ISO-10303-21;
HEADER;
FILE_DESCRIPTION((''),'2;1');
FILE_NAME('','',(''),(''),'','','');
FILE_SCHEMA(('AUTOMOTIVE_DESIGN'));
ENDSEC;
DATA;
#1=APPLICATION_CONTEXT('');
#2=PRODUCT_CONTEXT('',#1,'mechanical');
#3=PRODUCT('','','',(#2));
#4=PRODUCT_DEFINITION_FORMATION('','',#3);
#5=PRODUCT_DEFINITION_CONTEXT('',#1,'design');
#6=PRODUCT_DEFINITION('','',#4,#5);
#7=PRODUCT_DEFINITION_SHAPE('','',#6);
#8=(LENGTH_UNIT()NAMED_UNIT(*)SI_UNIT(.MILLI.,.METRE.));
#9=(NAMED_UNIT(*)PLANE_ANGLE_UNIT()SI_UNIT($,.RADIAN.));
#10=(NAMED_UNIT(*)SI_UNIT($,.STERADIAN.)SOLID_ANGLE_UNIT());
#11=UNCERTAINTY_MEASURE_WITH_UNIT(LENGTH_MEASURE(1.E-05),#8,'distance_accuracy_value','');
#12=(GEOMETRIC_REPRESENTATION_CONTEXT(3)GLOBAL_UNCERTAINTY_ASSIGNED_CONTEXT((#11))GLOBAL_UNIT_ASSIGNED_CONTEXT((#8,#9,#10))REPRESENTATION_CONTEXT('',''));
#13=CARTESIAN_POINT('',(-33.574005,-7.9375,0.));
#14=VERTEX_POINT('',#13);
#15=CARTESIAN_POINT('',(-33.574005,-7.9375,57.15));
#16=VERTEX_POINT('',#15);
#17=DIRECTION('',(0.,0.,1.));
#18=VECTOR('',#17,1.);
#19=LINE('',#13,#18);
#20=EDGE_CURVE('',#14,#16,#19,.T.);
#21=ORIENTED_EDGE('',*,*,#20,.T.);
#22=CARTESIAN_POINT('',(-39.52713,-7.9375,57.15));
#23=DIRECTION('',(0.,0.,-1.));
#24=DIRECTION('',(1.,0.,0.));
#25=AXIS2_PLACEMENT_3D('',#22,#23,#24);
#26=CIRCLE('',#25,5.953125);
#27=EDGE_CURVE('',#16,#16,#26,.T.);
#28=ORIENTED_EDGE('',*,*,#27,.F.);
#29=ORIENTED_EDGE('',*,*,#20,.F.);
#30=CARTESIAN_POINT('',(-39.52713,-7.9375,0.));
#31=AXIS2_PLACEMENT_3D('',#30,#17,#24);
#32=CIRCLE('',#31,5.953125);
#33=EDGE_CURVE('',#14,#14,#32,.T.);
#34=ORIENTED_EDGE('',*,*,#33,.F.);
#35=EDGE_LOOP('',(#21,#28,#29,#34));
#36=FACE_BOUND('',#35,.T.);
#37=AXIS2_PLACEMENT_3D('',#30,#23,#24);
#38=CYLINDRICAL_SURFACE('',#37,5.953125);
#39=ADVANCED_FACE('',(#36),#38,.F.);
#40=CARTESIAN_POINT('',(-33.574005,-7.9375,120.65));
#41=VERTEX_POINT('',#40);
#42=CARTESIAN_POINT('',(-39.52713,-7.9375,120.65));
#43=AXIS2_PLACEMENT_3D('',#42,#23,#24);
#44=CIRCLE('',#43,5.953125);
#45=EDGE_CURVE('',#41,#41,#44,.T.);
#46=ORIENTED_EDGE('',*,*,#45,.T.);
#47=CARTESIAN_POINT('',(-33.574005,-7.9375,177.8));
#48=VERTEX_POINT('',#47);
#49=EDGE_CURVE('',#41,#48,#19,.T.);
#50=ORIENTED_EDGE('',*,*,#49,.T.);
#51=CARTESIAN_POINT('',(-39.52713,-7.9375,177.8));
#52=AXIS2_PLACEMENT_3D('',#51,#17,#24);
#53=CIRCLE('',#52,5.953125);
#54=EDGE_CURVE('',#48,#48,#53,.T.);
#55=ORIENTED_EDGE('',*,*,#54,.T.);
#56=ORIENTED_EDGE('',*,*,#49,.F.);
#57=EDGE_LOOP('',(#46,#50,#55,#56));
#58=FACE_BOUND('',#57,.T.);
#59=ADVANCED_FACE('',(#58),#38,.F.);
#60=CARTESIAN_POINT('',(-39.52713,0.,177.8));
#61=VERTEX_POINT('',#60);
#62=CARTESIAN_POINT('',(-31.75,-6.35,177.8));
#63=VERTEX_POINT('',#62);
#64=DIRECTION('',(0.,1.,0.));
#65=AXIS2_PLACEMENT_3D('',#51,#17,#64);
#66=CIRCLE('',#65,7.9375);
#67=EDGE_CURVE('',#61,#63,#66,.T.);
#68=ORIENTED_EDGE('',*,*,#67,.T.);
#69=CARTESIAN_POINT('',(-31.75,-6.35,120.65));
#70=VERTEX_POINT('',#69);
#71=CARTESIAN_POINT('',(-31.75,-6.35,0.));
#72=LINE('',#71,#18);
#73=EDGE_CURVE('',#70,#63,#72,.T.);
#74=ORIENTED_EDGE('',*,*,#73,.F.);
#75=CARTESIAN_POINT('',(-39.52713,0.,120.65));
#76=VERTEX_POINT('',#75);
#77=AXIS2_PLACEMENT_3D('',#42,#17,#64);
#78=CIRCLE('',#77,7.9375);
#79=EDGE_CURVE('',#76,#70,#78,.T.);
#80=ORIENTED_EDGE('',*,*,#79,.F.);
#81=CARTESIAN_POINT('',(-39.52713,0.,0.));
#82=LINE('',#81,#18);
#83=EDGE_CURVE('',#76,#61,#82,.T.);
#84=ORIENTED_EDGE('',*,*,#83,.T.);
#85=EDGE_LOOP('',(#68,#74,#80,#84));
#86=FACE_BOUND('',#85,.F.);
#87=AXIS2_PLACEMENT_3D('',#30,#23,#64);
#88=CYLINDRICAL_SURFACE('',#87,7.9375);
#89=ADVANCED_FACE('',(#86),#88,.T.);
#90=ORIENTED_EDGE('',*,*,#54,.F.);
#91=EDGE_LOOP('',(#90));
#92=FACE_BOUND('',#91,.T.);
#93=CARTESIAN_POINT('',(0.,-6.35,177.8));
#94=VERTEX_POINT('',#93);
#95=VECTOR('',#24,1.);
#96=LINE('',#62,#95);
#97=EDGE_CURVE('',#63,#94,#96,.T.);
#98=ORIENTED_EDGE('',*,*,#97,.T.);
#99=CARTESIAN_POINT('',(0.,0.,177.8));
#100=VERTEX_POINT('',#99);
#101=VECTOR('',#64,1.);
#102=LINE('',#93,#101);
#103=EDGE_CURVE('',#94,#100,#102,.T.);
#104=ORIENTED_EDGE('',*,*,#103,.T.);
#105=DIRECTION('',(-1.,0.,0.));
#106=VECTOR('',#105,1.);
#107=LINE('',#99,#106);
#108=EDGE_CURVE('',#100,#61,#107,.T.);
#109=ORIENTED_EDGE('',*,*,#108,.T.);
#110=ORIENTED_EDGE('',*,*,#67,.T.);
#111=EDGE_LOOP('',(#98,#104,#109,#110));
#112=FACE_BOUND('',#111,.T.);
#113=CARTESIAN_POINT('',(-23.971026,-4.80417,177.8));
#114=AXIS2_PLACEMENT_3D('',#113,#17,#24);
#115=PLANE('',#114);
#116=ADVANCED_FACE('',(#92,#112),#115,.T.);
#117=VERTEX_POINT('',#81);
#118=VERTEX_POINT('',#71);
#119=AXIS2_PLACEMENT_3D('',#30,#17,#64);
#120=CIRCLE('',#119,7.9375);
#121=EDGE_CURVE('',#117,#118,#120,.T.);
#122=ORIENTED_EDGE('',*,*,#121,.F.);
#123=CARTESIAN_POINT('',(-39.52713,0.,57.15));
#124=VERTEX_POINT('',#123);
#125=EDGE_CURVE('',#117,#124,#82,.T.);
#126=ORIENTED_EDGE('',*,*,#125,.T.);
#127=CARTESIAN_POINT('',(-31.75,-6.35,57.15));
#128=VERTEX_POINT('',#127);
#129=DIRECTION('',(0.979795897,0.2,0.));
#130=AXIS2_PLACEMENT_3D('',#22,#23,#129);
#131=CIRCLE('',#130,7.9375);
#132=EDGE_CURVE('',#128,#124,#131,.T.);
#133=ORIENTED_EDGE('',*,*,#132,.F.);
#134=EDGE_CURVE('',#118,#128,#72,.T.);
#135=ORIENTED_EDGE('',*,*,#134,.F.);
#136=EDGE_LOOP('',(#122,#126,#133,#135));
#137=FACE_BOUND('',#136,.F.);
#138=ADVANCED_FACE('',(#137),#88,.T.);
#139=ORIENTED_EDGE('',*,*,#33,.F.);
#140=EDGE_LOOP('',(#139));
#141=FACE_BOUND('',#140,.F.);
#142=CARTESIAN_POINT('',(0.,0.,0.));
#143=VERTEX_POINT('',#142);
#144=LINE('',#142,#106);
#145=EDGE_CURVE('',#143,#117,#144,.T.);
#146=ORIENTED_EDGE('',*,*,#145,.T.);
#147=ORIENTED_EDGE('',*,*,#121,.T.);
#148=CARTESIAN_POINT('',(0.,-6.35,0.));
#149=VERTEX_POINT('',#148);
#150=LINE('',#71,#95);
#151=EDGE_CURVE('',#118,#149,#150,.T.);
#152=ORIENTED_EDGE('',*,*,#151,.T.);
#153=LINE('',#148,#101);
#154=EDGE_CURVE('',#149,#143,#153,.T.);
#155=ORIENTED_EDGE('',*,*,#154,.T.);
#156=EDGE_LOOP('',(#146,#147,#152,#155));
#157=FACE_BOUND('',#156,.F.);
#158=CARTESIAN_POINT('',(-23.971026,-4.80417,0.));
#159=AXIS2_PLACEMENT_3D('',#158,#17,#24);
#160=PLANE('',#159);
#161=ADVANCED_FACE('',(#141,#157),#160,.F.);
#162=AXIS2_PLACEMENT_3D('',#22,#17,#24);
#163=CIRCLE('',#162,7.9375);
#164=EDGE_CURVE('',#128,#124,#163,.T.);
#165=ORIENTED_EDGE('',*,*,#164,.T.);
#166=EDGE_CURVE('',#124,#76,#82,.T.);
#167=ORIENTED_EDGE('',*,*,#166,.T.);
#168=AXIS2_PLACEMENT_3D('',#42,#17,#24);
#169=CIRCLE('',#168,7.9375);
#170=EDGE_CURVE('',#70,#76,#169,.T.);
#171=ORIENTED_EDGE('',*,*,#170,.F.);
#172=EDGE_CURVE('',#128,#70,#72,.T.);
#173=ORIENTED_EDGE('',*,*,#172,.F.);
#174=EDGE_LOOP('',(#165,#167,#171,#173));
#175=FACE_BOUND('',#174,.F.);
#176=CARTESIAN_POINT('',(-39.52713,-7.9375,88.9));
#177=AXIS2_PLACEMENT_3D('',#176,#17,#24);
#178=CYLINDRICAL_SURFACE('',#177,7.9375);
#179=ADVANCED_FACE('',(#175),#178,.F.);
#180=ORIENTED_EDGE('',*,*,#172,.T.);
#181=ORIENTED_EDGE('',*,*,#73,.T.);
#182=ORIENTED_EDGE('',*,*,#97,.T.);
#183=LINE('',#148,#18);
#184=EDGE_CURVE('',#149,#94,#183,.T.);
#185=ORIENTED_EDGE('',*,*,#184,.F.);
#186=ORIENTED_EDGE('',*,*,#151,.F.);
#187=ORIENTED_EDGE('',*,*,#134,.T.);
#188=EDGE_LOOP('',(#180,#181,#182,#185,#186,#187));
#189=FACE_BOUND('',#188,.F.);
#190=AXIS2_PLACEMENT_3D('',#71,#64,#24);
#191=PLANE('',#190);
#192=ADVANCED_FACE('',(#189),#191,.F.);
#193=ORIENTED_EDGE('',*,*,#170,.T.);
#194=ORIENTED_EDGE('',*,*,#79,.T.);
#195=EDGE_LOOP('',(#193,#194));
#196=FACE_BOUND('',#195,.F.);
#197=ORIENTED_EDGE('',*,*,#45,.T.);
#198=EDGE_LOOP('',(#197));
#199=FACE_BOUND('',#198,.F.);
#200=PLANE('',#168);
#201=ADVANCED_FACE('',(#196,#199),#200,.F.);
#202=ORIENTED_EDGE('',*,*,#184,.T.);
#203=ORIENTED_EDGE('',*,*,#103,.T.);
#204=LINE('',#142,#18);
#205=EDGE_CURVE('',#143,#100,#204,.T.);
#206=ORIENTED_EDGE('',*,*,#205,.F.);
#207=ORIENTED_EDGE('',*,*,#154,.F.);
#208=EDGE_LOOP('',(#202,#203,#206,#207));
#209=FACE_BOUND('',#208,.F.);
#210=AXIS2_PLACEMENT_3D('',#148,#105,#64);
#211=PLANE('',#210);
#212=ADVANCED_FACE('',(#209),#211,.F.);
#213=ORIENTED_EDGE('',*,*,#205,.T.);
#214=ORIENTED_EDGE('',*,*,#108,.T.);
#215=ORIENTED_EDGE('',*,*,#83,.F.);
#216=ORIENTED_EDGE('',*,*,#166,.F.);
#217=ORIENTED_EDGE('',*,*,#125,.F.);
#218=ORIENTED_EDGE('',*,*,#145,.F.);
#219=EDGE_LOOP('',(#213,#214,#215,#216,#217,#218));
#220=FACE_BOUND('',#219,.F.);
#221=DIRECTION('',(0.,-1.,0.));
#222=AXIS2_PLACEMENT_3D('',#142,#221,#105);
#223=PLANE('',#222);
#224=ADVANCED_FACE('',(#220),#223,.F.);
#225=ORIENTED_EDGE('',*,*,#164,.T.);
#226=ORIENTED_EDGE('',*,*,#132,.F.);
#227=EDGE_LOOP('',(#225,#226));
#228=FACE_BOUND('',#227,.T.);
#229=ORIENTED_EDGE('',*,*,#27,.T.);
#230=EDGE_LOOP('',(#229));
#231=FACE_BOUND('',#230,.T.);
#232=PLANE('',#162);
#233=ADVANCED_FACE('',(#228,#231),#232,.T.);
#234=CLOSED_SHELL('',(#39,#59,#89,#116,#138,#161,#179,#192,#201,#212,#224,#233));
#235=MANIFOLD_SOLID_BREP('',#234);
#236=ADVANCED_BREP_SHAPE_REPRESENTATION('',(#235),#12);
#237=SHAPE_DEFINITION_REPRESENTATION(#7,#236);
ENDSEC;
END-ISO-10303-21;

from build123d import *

# Parameters (mm, degrees)
F0_R     = 5.953125
F1_DEPTH = 177.8
F3_R     = 7.9375
F4_DEPTH = 31.75


with BuildPart() as f1:
    # F0 (on Top) → F1 (new body)
    with BuildSketch(Plane.XY):
        with BuildLine():
            Line((0, -6.35), (0, 0))
            Line((0, 0), (-39.5271299333, 0))
            ThreePointArc((-39.5271299333, 0), (-44.5472457189, -14.0858610621), (-31.75, -6.35))
            Line((-31.75, -6.35), (0, -6.35))
        make_face()
        with Locations((-39.5271299333, -7.9375)):
            Circle(F0_R, mode=Mode.SUBTRACT)
    extrude(amount=F1_DEPTH)

    # F3 (on mid) → F4 (cut, symmetric)
    with BuildSketch(Plane.XY.offset(88.9)):
        with Locations((-39.5271299333, -7.9375)):
            Circle(F3_R)
    extrude(amount=F4_DEPTH, both=True, mode=Mode.SUBTRACT)


solid = f1.part
